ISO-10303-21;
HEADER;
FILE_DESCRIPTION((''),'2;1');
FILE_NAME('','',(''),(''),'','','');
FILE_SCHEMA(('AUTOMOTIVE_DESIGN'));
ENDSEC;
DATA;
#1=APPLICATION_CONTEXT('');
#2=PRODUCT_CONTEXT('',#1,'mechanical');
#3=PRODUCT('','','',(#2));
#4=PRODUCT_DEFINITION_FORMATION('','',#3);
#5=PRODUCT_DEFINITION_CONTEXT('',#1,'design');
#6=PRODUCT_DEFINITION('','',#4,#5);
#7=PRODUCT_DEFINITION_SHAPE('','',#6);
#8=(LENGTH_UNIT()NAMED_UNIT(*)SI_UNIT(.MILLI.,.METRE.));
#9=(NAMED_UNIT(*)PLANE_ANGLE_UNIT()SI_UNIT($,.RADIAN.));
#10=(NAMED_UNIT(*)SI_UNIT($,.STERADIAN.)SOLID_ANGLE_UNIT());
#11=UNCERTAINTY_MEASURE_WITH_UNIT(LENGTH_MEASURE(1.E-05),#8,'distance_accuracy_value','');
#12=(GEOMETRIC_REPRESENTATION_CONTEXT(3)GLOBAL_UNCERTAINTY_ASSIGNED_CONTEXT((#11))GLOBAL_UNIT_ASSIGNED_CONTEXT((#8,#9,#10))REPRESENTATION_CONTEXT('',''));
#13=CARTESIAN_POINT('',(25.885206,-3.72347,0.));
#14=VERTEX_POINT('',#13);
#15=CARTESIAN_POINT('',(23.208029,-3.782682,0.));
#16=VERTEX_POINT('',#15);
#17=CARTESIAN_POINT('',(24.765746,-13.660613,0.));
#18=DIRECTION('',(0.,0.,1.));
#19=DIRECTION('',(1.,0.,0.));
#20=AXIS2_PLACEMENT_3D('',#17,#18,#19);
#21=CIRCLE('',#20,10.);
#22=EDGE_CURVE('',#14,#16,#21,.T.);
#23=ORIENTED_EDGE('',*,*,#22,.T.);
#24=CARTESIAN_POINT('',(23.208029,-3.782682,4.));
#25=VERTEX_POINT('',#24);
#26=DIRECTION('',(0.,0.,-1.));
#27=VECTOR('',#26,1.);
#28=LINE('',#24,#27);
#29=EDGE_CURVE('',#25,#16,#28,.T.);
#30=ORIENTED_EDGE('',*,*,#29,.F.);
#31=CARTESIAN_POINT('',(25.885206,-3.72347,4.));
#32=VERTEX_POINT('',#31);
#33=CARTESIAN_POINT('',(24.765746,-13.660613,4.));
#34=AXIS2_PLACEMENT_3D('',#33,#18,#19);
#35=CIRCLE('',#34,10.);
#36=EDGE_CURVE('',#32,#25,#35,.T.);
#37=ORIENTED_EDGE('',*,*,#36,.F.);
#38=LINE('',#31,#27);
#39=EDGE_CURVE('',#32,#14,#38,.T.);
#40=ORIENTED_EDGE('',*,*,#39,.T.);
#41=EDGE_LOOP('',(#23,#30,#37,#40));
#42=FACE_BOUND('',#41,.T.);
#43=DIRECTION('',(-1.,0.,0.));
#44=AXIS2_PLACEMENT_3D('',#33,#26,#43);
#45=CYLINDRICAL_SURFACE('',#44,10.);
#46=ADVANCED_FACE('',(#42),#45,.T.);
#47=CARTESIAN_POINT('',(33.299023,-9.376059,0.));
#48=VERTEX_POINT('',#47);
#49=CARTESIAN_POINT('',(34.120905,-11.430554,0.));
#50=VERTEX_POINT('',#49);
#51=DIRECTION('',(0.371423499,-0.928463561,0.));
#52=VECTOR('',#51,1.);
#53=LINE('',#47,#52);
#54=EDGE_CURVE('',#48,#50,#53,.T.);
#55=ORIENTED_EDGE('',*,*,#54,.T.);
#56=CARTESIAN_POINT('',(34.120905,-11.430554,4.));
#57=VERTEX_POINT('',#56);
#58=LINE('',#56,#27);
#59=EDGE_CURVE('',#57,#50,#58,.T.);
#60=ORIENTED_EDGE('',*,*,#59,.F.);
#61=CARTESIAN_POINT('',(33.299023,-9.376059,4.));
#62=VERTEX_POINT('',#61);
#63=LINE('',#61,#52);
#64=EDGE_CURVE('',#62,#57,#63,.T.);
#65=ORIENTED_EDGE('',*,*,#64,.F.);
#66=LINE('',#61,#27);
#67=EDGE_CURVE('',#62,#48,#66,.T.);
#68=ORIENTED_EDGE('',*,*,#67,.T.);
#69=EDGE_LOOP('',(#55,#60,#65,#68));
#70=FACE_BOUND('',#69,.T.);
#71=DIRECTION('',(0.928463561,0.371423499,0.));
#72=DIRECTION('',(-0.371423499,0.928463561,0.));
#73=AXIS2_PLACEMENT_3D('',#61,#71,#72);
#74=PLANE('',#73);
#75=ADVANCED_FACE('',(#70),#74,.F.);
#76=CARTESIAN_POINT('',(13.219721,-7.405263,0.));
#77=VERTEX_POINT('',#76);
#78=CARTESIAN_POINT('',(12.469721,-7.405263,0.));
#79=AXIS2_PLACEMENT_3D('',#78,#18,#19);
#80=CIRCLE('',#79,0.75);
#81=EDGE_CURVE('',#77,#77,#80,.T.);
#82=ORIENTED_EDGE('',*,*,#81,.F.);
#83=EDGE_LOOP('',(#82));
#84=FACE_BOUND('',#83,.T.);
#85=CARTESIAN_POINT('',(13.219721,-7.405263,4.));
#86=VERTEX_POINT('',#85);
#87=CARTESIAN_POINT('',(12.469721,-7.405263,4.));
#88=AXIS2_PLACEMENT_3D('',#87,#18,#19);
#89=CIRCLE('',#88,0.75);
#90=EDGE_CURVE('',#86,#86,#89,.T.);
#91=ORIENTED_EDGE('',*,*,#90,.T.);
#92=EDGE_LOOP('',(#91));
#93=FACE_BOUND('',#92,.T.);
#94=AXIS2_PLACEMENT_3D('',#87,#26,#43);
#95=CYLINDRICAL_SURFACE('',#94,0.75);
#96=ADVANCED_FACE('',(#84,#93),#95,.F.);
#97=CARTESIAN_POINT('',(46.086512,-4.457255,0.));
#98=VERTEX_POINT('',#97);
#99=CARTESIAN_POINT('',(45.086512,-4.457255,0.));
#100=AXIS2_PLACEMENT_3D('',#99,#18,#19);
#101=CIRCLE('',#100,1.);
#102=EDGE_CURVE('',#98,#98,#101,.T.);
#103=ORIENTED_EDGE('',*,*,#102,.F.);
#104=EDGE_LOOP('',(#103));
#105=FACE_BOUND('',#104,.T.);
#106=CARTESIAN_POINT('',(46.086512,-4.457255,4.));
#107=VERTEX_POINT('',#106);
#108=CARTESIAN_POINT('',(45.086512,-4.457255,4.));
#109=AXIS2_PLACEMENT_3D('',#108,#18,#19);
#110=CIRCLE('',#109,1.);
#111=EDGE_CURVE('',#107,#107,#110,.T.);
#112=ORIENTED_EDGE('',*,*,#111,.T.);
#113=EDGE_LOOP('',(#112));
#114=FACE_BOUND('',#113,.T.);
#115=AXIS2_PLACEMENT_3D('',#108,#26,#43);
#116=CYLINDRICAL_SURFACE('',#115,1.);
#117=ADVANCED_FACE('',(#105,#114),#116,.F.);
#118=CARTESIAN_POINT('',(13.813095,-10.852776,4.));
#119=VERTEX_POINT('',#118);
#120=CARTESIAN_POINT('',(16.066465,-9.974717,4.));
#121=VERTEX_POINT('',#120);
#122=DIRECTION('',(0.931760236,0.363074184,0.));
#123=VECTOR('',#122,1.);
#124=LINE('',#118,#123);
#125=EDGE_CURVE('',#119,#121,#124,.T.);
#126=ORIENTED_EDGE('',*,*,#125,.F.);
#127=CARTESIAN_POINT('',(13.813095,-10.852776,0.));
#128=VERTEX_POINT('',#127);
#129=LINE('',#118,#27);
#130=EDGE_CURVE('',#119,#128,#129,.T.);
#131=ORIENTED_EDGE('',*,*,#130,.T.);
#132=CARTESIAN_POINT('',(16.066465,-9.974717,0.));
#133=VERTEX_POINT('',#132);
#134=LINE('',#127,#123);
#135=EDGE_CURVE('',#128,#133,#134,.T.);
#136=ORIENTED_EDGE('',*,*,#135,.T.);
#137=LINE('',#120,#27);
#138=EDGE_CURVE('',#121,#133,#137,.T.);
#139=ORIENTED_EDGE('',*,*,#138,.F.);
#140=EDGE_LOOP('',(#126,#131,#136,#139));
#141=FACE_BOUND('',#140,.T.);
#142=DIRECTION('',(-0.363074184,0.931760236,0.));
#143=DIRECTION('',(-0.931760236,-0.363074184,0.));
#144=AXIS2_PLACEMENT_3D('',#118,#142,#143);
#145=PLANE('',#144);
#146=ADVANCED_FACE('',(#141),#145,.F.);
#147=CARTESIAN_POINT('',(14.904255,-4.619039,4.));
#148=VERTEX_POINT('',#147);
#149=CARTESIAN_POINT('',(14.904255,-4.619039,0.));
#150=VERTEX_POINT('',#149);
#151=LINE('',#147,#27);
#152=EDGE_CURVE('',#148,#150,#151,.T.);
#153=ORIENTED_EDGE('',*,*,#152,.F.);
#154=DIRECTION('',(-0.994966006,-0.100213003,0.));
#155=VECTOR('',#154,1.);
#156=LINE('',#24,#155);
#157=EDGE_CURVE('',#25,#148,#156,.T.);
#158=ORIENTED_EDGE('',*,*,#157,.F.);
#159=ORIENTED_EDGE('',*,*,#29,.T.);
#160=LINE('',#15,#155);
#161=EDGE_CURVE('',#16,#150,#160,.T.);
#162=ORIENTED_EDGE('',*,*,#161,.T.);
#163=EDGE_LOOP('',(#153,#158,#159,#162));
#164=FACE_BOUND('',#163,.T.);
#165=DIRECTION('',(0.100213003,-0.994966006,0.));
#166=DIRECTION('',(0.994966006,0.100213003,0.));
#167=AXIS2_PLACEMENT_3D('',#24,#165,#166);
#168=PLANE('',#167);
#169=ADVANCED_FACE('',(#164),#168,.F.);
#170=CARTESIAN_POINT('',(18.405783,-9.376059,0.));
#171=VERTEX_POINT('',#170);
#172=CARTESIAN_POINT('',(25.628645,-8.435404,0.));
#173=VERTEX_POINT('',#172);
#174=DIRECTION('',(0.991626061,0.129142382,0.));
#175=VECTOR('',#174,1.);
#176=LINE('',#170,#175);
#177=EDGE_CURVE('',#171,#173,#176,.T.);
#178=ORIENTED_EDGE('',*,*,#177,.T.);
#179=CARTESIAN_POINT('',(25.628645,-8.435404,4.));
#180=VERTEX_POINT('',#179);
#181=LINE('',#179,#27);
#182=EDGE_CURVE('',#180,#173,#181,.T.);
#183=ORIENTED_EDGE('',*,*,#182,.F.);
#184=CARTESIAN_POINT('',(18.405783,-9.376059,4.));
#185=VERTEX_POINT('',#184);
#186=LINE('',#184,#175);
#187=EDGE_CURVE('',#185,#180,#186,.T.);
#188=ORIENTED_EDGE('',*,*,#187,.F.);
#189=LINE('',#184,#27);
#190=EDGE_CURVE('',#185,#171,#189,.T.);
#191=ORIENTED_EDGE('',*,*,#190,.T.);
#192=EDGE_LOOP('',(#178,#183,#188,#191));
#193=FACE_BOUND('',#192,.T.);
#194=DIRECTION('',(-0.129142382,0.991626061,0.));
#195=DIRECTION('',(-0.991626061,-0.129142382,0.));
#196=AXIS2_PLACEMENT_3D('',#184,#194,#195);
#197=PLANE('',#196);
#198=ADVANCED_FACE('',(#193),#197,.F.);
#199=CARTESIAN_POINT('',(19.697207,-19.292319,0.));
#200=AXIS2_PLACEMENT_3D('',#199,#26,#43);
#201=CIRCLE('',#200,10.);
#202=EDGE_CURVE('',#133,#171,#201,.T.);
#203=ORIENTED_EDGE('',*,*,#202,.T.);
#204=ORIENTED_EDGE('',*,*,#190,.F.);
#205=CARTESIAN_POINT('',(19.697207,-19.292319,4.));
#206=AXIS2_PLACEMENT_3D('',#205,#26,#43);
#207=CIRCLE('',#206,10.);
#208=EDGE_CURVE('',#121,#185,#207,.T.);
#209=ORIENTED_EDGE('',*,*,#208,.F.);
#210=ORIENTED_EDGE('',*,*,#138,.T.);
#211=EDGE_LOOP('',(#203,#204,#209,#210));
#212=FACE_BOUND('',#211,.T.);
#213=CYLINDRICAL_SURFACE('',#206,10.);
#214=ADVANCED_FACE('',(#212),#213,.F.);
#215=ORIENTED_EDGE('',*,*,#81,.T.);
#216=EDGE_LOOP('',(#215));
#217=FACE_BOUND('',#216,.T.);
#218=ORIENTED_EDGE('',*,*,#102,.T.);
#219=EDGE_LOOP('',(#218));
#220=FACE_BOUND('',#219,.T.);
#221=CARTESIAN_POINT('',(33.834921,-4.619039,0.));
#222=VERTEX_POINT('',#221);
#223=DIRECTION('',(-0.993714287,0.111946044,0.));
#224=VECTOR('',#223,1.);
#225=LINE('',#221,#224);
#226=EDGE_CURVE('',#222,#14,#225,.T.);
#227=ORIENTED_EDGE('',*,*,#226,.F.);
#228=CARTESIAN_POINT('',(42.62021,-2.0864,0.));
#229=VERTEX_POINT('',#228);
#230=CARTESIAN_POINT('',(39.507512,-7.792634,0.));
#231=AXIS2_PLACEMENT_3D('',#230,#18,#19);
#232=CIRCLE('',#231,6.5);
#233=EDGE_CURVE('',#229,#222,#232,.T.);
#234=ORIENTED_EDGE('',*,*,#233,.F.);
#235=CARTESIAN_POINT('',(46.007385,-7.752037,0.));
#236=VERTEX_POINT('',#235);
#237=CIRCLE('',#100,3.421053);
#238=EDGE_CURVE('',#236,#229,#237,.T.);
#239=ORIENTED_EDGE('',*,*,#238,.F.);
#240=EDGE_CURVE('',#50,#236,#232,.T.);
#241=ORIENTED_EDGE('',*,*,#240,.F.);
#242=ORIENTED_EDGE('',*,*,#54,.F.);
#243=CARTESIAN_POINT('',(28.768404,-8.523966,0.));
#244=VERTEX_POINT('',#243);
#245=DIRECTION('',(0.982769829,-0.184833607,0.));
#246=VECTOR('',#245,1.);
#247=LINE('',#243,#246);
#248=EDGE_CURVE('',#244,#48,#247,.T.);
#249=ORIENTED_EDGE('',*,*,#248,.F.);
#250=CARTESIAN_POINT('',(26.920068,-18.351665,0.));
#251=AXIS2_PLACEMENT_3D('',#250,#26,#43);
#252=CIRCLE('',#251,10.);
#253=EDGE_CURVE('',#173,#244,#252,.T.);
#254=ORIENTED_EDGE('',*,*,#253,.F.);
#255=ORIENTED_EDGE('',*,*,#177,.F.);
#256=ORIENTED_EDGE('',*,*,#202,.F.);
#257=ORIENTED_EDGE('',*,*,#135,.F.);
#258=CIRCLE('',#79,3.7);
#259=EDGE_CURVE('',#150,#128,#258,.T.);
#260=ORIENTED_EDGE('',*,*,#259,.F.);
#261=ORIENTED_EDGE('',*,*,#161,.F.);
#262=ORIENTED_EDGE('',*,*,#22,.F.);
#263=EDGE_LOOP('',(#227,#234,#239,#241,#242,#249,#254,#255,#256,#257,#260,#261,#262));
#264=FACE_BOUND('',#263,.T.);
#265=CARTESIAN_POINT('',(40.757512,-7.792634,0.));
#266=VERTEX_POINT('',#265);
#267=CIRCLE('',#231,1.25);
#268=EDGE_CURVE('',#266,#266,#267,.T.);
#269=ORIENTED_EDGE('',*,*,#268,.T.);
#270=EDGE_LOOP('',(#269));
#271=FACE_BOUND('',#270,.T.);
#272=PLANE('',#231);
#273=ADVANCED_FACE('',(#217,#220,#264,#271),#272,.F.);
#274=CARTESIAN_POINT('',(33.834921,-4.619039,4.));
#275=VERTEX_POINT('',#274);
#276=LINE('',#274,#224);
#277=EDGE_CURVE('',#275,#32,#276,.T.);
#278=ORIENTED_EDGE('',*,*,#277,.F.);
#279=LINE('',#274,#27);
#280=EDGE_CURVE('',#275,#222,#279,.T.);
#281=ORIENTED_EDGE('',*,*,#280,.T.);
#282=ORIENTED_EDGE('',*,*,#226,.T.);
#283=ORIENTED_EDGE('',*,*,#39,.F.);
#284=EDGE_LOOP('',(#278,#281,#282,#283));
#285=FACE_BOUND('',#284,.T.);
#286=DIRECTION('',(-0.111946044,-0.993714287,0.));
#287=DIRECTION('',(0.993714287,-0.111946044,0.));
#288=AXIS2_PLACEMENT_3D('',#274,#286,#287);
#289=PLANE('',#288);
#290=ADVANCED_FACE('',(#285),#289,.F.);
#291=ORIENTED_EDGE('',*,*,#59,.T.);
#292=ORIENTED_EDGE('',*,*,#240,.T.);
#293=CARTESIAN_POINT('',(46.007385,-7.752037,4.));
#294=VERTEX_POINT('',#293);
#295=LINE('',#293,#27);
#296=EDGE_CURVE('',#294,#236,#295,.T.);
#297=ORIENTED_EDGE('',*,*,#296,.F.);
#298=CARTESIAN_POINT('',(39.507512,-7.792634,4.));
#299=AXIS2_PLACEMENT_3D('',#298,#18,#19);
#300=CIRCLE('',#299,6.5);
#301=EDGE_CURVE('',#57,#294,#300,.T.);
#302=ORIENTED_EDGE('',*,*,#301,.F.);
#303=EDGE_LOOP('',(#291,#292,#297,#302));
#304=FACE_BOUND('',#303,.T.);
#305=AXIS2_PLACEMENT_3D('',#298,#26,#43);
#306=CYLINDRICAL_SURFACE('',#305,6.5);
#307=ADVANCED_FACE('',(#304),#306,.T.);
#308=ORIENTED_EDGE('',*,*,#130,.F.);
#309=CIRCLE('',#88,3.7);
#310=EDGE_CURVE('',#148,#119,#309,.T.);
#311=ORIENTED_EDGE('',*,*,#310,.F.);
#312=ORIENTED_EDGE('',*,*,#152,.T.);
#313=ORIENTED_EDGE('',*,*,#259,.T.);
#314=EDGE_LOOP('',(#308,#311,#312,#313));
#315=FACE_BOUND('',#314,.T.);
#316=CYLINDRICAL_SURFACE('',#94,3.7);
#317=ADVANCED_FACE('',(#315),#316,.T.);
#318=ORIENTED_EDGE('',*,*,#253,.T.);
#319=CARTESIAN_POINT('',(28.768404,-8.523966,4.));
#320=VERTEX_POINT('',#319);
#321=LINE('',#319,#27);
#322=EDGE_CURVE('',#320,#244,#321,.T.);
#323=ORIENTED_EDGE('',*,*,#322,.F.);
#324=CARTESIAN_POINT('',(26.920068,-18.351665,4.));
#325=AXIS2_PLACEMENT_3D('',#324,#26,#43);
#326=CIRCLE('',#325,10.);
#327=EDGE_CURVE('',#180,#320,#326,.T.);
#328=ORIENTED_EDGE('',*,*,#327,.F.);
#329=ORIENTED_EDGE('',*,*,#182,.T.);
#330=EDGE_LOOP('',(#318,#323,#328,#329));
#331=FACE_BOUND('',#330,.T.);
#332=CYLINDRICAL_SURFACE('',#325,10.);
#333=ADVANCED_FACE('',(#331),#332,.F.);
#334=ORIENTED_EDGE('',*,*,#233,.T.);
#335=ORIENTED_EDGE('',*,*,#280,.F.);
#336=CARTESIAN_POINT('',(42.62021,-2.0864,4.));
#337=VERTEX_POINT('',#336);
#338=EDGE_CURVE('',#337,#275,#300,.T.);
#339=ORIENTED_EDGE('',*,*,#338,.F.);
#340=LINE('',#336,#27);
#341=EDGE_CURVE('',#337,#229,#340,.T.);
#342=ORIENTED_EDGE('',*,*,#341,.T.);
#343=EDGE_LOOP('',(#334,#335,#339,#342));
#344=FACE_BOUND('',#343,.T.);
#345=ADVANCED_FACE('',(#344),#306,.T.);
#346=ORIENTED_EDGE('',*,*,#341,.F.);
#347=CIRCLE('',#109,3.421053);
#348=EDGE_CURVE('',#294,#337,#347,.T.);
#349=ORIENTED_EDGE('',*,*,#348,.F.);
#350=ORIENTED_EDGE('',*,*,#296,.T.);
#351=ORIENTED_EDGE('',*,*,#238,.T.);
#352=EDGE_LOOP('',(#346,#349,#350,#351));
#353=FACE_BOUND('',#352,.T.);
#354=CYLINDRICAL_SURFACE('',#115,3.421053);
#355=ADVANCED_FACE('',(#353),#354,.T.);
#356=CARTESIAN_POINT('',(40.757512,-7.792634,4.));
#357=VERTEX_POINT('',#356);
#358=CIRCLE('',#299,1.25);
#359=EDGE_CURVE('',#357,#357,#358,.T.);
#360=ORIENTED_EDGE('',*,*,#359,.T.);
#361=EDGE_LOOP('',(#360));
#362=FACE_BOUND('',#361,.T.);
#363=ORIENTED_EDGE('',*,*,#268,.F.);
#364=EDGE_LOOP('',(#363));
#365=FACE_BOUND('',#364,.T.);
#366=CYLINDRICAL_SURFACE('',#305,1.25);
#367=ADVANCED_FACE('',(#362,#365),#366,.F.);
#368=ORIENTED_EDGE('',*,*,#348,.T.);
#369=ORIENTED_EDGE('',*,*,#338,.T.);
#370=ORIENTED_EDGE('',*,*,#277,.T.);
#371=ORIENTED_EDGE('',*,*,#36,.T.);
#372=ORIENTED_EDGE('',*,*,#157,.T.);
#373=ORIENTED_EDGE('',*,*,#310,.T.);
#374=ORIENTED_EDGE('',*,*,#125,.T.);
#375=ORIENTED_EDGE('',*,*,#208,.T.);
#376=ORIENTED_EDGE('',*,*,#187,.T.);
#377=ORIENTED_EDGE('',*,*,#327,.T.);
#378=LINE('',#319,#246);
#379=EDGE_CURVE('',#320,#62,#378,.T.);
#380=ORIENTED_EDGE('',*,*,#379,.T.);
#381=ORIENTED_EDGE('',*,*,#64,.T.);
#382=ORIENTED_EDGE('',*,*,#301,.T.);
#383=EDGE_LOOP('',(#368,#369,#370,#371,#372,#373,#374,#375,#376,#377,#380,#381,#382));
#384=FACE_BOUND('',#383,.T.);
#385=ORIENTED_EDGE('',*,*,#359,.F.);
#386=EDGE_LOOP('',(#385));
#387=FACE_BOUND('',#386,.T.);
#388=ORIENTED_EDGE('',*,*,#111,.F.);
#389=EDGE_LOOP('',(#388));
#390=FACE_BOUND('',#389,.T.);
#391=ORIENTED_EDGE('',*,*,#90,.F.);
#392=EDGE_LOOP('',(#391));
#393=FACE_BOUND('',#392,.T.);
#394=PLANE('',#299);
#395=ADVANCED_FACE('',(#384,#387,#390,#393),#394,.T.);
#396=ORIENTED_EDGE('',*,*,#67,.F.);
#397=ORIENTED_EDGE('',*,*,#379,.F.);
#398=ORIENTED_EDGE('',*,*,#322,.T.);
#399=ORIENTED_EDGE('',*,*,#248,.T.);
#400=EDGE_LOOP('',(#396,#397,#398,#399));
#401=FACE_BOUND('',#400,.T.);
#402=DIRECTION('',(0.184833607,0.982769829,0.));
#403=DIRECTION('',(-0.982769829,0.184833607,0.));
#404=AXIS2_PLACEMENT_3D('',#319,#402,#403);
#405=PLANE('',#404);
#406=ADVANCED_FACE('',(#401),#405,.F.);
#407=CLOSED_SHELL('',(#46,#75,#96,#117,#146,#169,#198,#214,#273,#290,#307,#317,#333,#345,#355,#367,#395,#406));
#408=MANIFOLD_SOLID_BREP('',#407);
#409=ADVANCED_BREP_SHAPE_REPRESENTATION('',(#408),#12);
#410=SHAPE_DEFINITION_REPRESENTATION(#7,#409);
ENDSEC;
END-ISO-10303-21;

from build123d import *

# Parameters (mm, degrees)
SKETCH1_R           = 0.75
SKETCH1_R_2         = 1.25
SKETCH1_R_3         = 1
BOSS_EXTRUDE2_DEPTH = 4


with BuildPart() as part:
    # Sketch1 → Boss-Extrude2 (new body)
    with BuildSketch(Plane.XY):
        with BuildLine():
            Line((18.405783089, -9.376058657), (25.628644526, -8.435404146))
            ThreePointArc((25.628644526, -8.435404146), (27.202023368, -8.355640481), (28.768404416, -8.523966464))
            Line((28.768404416, -8.523966464), (33.299022581, -9.376058657))
            Line((33.299022581, -9.376058657), (34.120905067, -11.430554242))
            ThreePointArc((34.120905067, -11.430554242), (41.429155101, -14.002085417), (46.007385343, -7.752037497))
            ThreePointArc((46.007385343, -7.752037497), (48.022828461, -2.701791829), (42.620210155, -2.0863995))
            ThreePointArc((42.620210155, -2.0863995), (37.707004122, -1.546981728), (33.834920639, -4.619038785))
            Line((33.834920639, -4.619038785), (25.885206346, -3.723470434))
            ThreePointArc((25.885206346, -3.723470434), (24.544626829, -3.66305828), (23.20802923, -3.782682405))
            Line((23.20802923, -3.782682405), (14.904254879, -4.619038785))
            ThreePointArc((14.904254879, -4.619038785), (8.82513363, -6.767310768), (13.813095481, -10.852775766))
            Line((13.813095481, -10.852775766), (16.06646506, -9.974716914))
            ThreePointArc((16.06646506, -9.974716914), (17.21798795, -9.604519035), (18.405783089, -9.376058657))
        make_face()
        with Locations((12.469720998, -7.405262894)):
            Circle(SKETCH1_R, mode=Mode.SUBTRACT)
        with Locations((39.507512119, -7.792633892)):
            Circle(SKETCH1_R_2, mode=Mode.SUBTRACT)
        with Locations((45.086512481, -4.457254609)):
            Circle(SKETCH1_R_3, mode=Mode.SUBTRACT)
    extrude(amount=BOSS_EXTRUDE2_DEPTH)


solid = part.part
